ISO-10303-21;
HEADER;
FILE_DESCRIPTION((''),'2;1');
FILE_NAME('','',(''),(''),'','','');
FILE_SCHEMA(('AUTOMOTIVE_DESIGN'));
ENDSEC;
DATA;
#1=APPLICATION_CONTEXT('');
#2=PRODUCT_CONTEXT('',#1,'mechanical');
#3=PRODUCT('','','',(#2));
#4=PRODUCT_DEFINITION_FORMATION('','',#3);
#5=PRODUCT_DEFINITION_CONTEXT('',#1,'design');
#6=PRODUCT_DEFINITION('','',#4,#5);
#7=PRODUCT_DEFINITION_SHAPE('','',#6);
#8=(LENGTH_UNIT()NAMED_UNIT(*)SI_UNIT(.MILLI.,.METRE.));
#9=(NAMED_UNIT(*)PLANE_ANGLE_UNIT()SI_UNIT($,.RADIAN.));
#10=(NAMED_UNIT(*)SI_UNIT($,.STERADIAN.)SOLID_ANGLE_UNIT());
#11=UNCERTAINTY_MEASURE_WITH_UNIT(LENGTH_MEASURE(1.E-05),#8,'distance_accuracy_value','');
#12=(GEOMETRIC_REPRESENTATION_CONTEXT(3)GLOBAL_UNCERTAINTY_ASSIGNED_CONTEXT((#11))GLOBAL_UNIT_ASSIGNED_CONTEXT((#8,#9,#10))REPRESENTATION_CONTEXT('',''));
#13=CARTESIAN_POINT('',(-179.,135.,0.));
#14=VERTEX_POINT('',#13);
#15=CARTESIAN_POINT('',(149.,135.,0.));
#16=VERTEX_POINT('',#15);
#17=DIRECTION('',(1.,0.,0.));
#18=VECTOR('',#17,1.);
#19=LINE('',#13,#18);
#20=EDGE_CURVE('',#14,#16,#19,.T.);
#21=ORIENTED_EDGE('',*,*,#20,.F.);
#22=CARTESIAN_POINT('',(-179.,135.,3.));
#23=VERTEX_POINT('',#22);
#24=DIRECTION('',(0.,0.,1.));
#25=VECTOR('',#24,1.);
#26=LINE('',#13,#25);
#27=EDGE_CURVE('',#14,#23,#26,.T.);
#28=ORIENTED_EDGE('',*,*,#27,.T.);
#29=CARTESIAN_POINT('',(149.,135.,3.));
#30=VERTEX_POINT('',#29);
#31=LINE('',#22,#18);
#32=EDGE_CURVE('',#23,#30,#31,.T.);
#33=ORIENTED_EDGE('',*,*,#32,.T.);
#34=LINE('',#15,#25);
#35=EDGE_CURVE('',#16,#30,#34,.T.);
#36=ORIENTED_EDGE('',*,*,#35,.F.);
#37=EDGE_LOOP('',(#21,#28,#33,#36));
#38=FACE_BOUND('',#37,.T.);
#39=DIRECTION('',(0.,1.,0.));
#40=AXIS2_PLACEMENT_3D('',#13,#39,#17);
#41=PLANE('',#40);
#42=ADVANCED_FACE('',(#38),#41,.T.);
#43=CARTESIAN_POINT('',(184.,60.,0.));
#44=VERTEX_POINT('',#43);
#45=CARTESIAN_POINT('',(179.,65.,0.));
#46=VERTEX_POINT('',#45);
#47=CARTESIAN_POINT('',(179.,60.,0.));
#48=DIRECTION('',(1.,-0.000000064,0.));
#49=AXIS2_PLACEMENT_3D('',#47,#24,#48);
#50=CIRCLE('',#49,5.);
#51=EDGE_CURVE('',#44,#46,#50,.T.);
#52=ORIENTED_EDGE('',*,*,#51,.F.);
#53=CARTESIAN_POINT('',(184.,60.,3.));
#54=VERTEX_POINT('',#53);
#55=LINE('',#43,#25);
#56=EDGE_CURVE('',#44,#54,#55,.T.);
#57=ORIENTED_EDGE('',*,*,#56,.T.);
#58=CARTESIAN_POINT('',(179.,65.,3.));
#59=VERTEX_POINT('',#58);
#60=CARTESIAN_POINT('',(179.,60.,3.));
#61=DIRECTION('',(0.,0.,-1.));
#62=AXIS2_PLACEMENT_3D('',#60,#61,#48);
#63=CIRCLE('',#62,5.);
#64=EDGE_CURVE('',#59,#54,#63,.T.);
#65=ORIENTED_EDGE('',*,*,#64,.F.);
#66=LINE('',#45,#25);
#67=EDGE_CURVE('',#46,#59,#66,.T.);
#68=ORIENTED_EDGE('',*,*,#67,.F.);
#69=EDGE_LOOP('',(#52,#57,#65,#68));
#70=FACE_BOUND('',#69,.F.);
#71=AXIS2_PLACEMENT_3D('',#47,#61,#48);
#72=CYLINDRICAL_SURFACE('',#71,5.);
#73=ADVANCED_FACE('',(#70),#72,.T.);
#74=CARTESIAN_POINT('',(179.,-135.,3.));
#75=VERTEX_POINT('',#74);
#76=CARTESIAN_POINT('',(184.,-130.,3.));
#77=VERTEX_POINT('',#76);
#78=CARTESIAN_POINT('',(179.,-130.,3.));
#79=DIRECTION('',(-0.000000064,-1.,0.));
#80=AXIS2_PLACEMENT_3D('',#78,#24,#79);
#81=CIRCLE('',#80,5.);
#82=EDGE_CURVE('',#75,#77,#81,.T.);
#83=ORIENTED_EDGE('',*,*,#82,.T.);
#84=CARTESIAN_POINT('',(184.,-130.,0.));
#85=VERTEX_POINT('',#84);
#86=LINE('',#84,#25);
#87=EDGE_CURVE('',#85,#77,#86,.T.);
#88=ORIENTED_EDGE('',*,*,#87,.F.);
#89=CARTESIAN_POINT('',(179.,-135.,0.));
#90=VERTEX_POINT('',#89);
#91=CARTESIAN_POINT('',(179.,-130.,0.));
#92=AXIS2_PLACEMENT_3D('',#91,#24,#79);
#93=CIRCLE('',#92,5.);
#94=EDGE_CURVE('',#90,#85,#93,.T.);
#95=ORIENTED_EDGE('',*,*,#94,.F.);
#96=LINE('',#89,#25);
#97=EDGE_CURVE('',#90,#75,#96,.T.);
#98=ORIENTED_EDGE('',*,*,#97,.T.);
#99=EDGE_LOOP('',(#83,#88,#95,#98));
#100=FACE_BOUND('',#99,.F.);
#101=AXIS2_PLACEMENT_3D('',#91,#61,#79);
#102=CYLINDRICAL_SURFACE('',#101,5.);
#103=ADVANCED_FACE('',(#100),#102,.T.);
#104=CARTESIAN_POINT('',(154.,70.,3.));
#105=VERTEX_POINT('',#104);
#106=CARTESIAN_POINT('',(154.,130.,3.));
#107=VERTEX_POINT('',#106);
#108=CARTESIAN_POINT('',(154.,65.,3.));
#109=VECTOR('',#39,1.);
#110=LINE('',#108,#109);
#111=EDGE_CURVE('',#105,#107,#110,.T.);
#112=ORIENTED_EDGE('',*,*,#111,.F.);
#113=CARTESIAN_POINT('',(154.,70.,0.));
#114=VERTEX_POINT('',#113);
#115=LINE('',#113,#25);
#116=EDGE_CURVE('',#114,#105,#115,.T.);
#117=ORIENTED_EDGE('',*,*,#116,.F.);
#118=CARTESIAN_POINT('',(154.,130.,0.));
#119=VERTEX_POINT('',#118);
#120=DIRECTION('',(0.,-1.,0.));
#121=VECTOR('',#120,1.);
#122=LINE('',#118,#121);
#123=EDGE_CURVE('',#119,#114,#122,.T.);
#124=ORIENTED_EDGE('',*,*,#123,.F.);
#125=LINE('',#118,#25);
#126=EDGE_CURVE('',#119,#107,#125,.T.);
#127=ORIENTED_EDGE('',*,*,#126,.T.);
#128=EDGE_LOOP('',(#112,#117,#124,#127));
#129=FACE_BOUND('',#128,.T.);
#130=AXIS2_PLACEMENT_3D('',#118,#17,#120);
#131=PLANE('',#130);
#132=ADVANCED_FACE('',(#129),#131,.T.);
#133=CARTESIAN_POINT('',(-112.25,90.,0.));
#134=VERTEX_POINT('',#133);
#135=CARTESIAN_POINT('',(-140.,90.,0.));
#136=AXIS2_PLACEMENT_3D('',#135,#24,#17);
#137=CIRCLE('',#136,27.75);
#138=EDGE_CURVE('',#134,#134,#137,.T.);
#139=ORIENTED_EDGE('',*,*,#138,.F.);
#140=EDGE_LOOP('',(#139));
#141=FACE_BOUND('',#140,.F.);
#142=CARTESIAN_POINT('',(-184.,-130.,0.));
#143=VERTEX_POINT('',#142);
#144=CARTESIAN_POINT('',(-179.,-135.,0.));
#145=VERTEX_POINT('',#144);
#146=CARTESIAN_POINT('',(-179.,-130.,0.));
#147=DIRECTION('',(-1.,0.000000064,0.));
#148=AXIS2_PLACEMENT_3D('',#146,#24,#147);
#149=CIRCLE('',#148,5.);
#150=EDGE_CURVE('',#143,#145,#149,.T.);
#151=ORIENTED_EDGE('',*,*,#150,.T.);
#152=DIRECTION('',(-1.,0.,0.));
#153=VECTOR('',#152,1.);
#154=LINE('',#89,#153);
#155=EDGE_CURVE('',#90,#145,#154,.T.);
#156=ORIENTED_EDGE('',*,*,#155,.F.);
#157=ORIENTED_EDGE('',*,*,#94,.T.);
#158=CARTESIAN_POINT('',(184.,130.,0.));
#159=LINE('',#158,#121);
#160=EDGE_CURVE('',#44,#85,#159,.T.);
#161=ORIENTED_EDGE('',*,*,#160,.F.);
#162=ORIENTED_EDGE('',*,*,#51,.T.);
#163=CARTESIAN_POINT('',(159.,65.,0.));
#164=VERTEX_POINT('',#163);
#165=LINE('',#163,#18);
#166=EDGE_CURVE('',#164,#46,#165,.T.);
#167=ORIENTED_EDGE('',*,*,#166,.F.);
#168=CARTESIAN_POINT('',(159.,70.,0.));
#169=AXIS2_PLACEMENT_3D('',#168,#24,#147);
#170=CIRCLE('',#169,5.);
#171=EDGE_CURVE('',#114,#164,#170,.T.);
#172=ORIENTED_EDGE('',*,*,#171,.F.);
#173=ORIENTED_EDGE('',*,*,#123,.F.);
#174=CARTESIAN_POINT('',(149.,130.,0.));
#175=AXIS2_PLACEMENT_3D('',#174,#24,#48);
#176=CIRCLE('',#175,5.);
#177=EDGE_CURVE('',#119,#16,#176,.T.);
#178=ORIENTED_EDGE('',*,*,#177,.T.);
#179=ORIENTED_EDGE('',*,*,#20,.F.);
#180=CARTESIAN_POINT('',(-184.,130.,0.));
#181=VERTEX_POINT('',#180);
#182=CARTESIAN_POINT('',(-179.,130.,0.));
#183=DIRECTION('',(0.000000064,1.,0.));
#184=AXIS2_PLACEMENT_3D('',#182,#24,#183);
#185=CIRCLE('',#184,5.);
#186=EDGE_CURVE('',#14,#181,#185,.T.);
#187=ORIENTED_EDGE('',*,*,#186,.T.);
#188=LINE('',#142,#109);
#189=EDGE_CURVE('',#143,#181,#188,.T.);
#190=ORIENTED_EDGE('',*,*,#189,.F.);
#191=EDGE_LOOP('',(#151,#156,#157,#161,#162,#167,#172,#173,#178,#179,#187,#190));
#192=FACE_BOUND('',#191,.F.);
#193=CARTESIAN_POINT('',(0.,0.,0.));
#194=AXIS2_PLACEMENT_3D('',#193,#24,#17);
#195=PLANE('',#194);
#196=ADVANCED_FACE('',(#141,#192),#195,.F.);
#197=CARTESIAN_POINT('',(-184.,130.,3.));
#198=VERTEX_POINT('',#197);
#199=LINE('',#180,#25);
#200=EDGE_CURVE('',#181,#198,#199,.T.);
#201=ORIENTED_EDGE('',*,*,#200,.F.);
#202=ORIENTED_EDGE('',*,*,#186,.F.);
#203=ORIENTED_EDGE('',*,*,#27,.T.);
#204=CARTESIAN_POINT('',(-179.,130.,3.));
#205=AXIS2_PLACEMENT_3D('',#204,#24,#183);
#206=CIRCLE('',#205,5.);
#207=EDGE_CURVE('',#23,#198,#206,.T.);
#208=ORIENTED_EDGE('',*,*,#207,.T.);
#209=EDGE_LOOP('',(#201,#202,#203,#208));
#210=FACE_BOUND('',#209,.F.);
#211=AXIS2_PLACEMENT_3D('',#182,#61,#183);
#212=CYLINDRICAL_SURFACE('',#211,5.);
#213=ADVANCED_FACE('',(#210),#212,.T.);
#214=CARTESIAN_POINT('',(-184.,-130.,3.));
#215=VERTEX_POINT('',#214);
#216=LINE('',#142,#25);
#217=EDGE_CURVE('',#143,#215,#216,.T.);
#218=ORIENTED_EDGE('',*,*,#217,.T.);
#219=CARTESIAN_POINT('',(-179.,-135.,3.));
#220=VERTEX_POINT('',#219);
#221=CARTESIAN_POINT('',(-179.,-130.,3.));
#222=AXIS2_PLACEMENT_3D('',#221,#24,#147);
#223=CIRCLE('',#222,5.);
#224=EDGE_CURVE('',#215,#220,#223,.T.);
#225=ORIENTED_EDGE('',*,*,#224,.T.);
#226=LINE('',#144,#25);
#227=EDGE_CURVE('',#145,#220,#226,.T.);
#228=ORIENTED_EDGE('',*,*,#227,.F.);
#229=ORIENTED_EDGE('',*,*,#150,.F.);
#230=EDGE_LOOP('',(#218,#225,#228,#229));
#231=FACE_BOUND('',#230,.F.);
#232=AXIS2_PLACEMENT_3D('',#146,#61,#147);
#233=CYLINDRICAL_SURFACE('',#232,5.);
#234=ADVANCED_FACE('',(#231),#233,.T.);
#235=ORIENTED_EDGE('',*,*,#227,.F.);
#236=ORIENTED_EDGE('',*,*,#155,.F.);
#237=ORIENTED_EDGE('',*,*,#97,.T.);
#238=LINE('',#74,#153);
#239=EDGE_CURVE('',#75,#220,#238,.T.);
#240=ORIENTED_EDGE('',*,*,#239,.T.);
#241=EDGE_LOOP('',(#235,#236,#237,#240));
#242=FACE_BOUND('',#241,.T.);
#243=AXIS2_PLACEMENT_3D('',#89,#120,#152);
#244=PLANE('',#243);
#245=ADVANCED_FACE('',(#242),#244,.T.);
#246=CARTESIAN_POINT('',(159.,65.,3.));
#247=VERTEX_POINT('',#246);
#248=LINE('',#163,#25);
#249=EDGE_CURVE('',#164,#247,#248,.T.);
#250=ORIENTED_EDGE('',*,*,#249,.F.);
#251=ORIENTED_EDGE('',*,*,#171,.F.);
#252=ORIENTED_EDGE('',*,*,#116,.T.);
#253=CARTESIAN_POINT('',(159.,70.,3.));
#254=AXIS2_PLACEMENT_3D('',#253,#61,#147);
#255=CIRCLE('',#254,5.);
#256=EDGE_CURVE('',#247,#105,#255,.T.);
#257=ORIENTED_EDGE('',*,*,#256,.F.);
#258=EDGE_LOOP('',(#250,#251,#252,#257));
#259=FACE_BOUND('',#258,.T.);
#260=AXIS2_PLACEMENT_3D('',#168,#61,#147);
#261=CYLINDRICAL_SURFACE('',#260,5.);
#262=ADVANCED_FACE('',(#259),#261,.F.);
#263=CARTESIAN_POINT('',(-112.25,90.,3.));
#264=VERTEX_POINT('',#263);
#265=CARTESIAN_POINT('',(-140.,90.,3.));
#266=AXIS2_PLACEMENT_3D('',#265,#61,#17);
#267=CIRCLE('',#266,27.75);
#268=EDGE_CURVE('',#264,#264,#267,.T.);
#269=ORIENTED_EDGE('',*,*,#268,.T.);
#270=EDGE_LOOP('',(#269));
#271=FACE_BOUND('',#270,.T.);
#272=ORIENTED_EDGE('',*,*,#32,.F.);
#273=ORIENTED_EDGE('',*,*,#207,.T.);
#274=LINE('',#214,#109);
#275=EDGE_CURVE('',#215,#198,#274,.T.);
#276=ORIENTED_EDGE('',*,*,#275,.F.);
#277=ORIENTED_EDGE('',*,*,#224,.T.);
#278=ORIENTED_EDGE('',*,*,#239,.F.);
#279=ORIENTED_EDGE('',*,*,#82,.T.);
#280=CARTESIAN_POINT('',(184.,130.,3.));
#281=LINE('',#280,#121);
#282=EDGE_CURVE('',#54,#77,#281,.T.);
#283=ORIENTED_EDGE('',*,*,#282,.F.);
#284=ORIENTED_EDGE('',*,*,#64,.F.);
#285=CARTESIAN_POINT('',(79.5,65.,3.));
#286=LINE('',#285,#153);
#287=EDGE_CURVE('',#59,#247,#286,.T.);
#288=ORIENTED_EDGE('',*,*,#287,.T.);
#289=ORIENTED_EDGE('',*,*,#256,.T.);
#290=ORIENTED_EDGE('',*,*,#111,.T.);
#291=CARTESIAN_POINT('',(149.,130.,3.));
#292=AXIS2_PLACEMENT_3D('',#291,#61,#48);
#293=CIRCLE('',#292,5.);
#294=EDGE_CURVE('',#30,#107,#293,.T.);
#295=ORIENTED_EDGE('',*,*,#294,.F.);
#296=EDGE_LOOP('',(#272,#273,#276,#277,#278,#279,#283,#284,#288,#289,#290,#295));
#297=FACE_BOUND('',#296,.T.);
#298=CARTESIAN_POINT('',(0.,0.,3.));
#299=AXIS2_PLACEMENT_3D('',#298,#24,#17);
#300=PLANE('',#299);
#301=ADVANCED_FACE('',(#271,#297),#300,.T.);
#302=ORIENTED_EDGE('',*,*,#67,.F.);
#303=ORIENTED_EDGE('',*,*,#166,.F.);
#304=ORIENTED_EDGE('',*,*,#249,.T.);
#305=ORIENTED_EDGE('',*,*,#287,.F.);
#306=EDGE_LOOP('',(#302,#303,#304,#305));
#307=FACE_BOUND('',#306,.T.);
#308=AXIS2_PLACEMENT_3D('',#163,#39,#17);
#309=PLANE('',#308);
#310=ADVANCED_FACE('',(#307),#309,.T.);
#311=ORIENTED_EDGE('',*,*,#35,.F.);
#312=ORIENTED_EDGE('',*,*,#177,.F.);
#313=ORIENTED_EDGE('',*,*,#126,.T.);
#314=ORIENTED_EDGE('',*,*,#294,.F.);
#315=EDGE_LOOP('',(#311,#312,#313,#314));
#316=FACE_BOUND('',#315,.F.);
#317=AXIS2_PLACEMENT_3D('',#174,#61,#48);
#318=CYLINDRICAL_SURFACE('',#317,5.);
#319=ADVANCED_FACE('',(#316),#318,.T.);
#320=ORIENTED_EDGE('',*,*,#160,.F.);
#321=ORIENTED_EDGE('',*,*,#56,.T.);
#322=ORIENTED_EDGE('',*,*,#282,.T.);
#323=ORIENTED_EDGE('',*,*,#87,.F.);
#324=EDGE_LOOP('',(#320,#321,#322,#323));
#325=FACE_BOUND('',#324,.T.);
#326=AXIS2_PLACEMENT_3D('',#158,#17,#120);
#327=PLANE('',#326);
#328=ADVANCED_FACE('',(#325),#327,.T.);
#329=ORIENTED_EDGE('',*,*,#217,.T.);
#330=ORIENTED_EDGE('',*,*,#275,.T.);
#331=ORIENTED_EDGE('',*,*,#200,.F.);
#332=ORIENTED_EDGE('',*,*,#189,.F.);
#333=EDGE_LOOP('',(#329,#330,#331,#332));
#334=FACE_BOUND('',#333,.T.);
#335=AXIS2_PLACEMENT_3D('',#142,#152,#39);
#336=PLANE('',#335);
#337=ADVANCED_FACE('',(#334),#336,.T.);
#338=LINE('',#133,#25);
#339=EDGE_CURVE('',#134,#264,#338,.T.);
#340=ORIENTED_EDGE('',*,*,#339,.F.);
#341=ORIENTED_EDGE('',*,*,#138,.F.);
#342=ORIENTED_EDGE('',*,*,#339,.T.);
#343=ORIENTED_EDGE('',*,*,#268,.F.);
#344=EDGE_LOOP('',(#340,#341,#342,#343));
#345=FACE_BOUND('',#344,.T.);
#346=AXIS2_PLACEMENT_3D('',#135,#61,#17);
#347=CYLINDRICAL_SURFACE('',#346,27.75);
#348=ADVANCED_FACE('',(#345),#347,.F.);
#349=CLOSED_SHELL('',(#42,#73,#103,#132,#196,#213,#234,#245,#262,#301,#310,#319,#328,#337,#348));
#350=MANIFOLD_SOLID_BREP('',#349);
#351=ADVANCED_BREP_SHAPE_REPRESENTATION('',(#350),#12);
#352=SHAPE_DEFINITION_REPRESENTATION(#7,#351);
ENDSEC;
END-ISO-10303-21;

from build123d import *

# Parameters (mm, degrees)
PAD012_DEPTH         = 3
SKETCH090_R          = 27.75
POCKET039_DEPTH      = 0.001
POCKET039_DEPTH_BACK = 3.001
POCKET040_DEPTH      = 0.001
POCKET040_DEPTH_BACK = 3.001


with BuildPart() as part:
    # Sketch089 → Pad012 (new body)
    with BuildSketch(Plane.XY):
        with BuildLine():
            ThreePointArc((-184, -130), (-182.535534, -133.535534), (-179, -135))
            Line((179, -135), (-179, -135))
            ThreePointArc((179, -135), (182.535534, -133.535534), (184, -130))
            Line((184, 130), (184, -130))
            ThreePointArc((184, 130), (182.535534, 133.535534), (179, 135))
            Line((-179, 135), (179, 135))
            ThreePointArc((-179, 135), (-182.535534, 133.535534), (-184, 130))
            Line((-184, -130), (-184, 130))
        make_face()
    extrude(amount=PAD012_DEPTH)

    # Sketch090 → Pocket039 (cut, two sides)
    with BuildSketch(Plane(origin=(-140, 90, 0), x_dir=(1, 0, 0), z_dir=(0, 0, 1))) as pocket039_sk:
        Circle(SKETCH090_R)
    extrude(amount=-POCKET039_DEPTH, mode=Mode.SUBTRACT)
    extrude(pocket039_sk.sketch, amount=POCKET039_DEPTH_BACK, mode=Mode.SUBTRACT)

    # Sketch091 → Pocket040 (cut, two sides)
    with BuildSketch(Plane.XY) as pocket040_sk:
        with BuildLine():
            Line((184, 135), (149, 135))
            ThreePointArc((154, 130), (152.535534, 133.535534), (149, 135))
            Line((154, 130), (154, 70))
            ThreePointArc((154, 70), (155.464466, 66.464466), (159, 65))
            Line((159, 65), (179, 65))
            ThreePointArc((184, 60), (182.535534, 63.535534), (179, 65))
            Line((184, 60), (184, 135))
        make_face()
    extrude(amount=-POCKET040_DEPTH, mode=Mode.SUBTRACT)
    extrude(pocket040_sk.sketch, amount=POCKET040_DEPTH_BACK, mode=Mode.SUBTRACT)


solid = part.part
